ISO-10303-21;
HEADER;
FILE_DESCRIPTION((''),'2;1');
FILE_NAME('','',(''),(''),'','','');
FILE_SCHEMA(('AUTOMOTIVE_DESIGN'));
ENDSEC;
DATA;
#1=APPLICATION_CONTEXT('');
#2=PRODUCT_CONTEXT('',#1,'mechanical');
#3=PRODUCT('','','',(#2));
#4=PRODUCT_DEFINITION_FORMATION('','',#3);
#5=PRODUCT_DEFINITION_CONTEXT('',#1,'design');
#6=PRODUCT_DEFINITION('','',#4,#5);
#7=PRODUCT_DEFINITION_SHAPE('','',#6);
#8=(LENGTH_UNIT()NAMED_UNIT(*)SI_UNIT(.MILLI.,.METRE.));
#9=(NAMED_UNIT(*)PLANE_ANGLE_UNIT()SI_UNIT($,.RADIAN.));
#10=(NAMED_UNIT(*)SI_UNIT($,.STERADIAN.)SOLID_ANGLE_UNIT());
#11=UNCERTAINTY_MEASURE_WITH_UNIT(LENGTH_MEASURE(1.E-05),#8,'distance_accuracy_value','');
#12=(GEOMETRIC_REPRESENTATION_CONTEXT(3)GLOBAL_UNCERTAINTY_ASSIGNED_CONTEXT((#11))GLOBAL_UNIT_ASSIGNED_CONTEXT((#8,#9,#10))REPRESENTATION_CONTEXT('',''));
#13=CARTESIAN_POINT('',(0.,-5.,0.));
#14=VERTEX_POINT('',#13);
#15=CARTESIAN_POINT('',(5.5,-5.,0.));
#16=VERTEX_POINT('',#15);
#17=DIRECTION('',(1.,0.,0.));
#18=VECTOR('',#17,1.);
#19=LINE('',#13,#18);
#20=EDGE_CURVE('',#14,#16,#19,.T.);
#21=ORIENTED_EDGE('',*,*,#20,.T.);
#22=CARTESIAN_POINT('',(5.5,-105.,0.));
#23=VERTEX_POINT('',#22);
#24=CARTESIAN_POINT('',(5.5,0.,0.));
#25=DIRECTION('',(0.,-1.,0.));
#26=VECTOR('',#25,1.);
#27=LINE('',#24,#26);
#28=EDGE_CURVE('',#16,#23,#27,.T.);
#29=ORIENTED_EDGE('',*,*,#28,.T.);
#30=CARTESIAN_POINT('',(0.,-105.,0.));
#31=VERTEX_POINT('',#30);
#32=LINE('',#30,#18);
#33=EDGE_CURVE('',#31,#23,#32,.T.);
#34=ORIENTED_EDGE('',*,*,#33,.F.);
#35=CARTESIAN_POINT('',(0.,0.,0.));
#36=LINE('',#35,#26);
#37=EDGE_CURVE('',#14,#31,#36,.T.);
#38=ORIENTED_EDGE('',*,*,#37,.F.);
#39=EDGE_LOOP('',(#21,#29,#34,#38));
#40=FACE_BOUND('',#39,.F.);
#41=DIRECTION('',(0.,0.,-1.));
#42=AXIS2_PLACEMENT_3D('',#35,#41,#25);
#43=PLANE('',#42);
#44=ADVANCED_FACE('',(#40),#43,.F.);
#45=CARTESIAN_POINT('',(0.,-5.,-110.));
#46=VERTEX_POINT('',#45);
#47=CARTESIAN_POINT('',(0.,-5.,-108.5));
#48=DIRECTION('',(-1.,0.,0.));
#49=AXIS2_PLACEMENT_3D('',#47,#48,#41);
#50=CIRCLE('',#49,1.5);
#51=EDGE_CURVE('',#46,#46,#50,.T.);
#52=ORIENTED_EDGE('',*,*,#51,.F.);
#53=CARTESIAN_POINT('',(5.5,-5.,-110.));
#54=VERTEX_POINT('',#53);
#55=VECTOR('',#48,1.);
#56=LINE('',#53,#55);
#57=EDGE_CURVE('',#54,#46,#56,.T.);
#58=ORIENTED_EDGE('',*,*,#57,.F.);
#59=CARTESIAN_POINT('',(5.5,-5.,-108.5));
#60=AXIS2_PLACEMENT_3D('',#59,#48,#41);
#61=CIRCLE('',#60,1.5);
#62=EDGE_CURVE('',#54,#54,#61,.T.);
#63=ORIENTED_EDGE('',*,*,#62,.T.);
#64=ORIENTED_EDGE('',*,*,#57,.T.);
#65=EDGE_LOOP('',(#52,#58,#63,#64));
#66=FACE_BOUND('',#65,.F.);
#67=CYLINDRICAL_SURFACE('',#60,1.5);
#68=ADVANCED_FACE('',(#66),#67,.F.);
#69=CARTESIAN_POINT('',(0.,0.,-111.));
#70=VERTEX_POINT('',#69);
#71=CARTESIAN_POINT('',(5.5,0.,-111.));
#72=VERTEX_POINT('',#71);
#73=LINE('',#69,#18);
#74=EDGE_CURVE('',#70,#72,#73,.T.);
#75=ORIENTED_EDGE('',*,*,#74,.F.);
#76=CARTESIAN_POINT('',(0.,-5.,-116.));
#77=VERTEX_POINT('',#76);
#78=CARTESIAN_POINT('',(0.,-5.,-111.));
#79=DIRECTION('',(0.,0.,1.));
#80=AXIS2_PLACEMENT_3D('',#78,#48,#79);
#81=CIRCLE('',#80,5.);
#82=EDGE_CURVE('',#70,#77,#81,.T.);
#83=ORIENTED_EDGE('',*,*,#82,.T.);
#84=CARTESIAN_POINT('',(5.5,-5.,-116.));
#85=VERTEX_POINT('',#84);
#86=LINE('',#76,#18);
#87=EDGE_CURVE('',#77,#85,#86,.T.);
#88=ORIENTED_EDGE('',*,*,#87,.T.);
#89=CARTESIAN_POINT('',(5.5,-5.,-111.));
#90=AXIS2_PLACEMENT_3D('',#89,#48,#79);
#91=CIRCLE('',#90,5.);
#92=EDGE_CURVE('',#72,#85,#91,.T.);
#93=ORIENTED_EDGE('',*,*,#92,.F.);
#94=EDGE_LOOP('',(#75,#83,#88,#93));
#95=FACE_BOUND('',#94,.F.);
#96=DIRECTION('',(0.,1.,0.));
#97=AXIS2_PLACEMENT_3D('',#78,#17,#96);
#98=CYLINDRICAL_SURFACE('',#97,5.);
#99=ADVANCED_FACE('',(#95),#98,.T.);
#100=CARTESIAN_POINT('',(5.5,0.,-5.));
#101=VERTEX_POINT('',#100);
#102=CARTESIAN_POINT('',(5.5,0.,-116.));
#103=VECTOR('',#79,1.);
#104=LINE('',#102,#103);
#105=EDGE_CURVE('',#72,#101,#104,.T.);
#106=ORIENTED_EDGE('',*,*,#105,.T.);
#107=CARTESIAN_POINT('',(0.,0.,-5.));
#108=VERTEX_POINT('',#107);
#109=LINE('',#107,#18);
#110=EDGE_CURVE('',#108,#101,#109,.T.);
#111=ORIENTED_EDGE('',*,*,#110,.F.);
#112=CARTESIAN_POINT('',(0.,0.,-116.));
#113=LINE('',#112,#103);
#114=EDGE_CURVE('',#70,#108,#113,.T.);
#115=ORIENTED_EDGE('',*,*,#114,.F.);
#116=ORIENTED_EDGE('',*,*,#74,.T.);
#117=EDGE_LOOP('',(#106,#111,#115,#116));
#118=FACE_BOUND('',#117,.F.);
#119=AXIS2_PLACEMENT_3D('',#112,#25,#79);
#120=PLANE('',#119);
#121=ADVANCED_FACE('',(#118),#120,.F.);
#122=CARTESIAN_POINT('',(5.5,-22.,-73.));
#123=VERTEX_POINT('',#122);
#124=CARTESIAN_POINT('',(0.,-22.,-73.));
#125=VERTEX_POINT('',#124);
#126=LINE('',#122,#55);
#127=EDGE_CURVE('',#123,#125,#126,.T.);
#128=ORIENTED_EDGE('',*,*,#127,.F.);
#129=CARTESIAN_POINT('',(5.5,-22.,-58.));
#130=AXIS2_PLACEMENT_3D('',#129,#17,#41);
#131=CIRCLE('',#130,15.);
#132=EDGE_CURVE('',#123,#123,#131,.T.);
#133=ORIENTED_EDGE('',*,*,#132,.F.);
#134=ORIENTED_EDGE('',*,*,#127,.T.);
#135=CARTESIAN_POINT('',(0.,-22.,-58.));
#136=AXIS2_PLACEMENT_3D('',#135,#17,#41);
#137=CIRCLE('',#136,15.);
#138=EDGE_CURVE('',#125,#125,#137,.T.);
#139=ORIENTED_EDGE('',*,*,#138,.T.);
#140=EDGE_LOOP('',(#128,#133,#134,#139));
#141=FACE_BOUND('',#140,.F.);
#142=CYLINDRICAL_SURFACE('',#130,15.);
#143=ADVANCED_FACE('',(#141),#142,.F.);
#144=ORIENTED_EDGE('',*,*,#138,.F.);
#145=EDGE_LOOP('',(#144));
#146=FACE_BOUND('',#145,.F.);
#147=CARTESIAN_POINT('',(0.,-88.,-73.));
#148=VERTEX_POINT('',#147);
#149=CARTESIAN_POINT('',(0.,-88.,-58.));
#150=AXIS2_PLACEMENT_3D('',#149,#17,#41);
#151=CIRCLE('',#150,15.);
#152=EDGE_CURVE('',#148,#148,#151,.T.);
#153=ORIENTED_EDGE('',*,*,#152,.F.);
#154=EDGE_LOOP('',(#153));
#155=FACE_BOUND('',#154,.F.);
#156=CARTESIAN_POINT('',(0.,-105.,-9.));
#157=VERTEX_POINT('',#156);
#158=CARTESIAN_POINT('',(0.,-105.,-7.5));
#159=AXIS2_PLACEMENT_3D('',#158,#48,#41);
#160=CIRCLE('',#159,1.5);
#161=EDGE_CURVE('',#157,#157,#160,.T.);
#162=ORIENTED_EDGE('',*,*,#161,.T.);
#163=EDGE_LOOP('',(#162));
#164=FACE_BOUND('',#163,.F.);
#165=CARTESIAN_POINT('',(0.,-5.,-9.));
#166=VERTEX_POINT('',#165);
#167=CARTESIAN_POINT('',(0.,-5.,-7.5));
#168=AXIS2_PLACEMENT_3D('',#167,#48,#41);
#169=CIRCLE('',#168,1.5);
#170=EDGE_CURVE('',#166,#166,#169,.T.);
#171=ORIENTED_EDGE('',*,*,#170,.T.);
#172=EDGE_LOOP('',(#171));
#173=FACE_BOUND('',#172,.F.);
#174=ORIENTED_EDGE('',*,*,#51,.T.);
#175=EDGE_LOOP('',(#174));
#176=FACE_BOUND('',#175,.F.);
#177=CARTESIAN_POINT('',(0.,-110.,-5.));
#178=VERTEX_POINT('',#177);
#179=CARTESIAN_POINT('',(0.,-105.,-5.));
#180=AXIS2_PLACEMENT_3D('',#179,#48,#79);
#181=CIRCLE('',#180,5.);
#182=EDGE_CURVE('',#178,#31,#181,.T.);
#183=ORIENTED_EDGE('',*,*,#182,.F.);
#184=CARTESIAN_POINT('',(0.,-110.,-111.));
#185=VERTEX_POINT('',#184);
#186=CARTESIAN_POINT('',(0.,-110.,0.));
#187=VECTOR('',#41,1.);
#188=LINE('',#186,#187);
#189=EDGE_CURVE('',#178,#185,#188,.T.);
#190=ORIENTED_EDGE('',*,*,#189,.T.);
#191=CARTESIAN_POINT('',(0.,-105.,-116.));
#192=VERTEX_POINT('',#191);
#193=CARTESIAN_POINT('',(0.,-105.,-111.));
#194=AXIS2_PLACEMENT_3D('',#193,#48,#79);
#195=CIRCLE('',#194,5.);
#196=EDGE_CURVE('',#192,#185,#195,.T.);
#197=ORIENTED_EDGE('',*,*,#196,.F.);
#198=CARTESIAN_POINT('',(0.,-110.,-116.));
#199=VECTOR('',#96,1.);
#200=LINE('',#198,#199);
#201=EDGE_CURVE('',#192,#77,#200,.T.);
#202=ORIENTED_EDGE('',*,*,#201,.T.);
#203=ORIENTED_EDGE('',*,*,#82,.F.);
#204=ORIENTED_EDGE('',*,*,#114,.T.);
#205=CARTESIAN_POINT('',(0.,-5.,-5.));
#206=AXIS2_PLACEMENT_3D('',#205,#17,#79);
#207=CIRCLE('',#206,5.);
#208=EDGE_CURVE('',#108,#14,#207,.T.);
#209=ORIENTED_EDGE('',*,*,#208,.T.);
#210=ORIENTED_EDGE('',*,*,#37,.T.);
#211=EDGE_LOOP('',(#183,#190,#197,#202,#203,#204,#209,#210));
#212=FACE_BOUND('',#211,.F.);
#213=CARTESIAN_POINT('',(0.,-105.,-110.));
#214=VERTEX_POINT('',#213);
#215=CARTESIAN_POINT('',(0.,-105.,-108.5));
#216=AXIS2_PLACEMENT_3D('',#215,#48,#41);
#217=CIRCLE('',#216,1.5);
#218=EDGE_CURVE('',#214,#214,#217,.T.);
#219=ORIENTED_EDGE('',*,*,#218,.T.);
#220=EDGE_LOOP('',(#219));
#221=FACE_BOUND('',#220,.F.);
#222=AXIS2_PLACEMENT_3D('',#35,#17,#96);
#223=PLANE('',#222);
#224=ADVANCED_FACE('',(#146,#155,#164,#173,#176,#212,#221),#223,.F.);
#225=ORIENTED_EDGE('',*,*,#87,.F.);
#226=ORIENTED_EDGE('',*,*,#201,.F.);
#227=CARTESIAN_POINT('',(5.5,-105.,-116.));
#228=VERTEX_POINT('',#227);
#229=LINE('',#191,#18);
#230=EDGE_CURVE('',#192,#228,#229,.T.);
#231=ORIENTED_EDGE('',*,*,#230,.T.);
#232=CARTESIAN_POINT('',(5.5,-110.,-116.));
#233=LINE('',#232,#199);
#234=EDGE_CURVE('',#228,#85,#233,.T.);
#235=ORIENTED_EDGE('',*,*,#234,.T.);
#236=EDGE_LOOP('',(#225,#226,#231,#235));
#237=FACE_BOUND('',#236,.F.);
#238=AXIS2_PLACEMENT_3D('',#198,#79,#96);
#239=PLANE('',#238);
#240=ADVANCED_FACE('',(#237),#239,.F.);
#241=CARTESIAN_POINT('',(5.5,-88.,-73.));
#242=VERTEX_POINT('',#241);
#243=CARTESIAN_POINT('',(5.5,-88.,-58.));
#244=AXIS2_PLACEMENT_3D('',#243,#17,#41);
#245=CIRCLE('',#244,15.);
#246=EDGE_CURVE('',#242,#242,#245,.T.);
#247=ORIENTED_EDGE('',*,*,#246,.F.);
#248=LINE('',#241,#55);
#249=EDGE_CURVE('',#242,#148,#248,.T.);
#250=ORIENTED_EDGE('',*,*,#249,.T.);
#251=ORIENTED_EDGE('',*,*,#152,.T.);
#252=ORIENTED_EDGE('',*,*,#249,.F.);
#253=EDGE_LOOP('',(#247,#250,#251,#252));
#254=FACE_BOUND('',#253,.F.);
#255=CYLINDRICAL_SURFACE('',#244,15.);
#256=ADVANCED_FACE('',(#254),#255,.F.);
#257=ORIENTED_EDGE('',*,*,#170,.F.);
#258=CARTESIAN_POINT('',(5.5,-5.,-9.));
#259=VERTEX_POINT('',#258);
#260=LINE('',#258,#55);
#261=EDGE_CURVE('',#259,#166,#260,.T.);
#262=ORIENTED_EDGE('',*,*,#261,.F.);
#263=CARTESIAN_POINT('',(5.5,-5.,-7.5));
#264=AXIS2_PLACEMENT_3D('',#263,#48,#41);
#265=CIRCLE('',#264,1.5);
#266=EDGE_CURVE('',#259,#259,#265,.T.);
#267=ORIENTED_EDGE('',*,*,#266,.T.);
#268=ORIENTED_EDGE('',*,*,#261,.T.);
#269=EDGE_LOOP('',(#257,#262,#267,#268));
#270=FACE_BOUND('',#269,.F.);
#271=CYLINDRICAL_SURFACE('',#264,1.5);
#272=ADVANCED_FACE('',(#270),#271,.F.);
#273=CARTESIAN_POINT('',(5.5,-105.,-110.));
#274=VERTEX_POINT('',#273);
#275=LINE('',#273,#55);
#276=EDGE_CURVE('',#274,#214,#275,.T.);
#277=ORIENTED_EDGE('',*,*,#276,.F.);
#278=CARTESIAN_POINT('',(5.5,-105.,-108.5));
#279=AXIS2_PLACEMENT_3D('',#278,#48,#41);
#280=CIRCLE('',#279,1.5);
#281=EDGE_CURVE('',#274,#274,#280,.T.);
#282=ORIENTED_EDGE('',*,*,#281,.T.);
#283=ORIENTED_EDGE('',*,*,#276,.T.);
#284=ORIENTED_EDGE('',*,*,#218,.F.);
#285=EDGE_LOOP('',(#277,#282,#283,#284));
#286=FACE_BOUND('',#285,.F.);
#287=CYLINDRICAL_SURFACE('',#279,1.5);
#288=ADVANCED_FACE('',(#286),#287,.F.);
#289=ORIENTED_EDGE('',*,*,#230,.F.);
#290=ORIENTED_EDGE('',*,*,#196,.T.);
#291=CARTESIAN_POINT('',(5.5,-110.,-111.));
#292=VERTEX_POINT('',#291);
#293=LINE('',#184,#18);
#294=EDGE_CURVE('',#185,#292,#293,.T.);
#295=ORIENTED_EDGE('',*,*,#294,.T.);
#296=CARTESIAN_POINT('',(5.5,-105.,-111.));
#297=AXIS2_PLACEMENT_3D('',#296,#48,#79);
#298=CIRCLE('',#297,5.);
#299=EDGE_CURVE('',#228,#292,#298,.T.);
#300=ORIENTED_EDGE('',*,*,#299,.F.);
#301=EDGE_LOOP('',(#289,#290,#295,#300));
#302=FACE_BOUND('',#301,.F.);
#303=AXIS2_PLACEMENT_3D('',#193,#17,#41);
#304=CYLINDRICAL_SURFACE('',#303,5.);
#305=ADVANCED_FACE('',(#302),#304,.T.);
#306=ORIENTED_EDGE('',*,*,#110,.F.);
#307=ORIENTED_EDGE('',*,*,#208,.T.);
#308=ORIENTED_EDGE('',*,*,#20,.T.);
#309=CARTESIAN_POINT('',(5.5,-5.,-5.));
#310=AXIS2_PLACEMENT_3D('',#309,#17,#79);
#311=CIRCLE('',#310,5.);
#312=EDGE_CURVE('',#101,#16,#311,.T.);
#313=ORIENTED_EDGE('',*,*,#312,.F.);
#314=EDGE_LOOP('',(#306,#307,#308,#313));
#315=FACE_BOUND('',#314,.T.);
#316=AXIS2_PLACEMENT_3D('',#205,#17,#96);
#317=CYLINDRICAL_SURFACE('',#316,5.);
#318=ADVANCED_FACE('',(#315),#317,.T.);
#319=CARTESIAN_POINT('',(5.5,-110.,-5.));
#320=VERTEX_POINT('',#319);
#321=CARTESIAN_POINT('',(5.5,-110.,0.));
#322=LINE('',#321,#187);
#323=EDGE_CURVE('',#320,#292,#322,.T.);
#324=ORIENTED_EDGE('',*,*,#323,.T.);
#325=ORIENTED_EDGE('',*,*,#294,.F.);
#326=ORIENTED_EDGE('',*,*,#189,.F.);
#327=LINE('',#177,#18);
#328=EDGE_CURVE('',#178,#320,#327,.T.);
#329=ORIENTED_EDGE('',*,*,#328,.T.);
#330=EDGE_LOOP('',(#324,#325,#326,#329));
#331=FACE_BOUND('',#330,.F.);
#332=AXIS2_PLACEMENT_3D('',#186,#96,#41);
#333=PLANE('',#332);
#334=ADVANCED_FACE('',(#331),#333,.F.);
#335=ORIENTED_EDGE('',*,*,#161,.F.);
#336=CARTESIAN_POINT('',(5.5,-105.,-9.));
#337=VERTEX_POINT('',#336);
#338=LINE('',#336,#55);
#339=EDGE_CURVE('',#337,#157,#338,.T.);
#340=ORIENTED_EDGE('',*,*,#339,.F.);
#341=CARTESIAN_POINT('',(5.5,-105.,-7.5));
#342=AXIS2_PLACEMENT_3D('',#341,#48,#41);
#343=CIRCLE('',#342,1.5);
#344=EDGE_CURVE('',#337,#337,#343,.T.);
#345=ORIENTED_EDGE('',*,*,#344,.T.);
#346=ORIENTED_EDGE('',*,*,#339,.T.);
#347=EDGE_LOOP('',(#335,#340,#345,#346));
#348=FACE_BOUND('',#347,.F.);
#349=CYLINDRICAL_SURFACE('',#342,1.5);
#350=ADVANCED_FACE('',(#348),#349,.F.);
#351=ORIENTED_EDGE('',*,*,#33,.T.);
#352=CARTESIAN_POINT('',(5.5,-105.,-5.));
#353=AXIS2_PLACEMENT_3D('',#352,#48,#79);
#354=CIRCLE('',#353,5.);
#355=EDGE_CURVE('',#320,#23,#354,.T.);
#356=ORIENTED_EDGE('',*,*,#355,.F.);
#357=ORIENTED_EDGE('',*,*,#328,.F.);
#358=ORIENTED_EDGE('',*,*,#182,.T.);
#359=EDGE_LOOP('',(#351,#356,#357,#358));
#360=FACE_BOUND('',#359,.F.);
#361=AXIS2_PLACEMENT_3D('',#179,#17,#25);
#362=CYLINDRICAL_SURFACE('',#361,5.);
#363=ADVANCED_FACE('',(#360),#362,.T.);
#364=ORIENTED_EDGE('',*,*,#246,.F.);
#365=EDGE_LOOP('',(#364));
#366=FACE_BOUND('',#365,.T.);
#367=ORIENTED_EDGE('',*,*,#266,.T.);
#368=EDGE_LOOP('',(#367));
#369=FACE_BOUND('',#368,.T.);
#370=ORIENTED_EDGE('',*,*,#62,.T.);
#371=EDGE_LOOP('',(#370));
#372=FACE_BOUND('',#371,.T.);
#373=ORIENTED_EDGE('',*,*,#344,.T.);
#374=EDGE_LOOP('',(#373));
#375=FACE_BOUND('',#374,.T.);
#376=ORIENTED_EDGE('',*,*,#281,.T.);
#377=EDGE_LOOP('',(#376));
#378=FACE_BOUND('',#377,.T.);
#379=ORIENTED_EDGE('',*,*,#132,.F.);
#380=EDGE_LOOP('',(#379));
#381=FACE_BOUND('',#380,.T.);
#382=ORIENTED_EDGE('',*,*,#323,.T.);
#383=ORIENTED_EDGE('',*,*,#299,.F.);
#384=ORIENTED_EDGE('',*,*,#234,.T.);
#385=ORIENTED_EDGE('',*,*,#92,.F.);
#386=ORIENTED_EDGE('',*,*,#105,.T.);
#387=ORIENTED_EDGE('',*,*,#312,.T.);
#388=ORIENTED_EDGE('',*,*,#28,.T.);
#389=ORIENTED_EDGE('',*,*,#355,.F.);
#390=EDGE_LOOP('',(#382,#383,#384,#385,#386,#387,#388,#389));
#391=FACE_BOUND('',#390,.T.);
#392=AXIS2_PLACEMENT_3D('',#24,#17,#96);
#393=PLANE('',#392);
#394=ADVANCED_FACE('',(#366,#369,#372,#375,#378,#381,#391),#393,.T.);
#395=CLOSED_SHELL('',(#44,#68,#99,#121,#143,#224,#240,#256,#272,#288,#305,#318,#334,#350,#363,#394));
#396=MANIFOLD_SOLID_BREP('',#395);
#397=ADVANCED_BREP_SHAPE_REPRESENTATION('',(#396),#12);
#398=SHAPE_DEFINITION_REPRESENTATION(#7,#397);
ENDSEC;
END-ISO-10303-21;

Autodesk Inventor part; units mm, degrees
ref_plane "YZ Plane" through (0, 0, 0) normal (1, 0, 0) x (0, 1, 0)
ref_plane "XZ Plane" through (0, 0, 0) normal (0, 1, 0) x (-1, 0, 0)
ref_plane "XY Plane" through (0, 0, 0) normal (0, 0, 1) x (1, 0, 0)
sketch "スケッチ1" plane through (0, 0, 0) normal (1, 0, 0) x (0, 1, 0)
  line L0 (0, 0) -> (-110, 0)
  line L1 (-110, 0) -> (-110, -116)
  line L2 (-110, -116) -> (0, -116)
  line L3 (0, -116) -> (0, 0)
  dimension "d0" = 110
  dimension "d1" = 116
extrude "押し出し1" add sketch "スケッチ1" along normal blind 5.5
fillet "フィレット1" radius 5 4 edges at (2.75, 0, 0) (2.75, 0, -116) (2.75, -110, 0) (2.75, -110, -116)
sketch "スケッチ2" plane through (5.5, 0, 0) normal (1, 0, 0) x (0, 0, -1)
  line L0 (7.5, -5) -> (108.5, -5)
  line L1 (108.5, -5) -> (108.5, -105)
  line L2 (108.5, -105) -> (7.5, -105)
  line L3 (7.5, -105) -> (7.5, -5)
  line L4 (111, 0) -> (5, 0) projected
  line L5 (0, -5) -> (0, -105) projected
  point P0 (0, 0)
  dimension "d5" = 101
  dimension "d6" = 100
  dimension "d7" = 5
  dimension "d8" = 7.5
hole "穴1" at (5.5, -5, -7.5) at (5.5, -5, -108.5) at (5.5, -105, -108.5) at (5.5, -105, -7.5) direction (-1, 0, 0) diameter 3 end through all
sketch "スケッチ3" plane through (5.5, 0, 0) normal (1, 0, 0) x (0, 0, -1)
  circle A0 centre (58, -88) radius 15
  line L0 (0, -5) -> (0, -105) projected
  line L1 (5, -110) -> (111, -110) projected
  point P0 (0, 0)
  dimension "d16" = 30
  dimension "d17" = 58
  dimension "d18" = 22
extrude "押し出し2" cut sketch "スケッチ3" against normal through all
sketch "スケッチ4" plane through (5.5, 0, 0) normal (1, 0, 0) x (0, 0, -1)
  circle A0 centre (58, -22) radius 15
  line L0 (111, 0) -> (5, 0) projected
  circle A1 centre (58, -88) radius 15 projected
  line L1 (0, -5) -> (0, -105) projected
  point P0 (0, 0)
  dimension "d21" = 30
  dimension "d22" = 22
  dimension "d23" = 58
  dimension "d24" = 58
sketch "スケッチ5" plane through (5.5, 0, 0) normal (1, 0, 0) x (0, 0, -1)
  point P0 (0, 0)
extrude "押し出し3" cut sketch "スケッチ4" against normal through all contours A0
equation "\"d24\" = d23"
properties part number "ロボットベースT5.5_2" material "木材 (オーク)"
